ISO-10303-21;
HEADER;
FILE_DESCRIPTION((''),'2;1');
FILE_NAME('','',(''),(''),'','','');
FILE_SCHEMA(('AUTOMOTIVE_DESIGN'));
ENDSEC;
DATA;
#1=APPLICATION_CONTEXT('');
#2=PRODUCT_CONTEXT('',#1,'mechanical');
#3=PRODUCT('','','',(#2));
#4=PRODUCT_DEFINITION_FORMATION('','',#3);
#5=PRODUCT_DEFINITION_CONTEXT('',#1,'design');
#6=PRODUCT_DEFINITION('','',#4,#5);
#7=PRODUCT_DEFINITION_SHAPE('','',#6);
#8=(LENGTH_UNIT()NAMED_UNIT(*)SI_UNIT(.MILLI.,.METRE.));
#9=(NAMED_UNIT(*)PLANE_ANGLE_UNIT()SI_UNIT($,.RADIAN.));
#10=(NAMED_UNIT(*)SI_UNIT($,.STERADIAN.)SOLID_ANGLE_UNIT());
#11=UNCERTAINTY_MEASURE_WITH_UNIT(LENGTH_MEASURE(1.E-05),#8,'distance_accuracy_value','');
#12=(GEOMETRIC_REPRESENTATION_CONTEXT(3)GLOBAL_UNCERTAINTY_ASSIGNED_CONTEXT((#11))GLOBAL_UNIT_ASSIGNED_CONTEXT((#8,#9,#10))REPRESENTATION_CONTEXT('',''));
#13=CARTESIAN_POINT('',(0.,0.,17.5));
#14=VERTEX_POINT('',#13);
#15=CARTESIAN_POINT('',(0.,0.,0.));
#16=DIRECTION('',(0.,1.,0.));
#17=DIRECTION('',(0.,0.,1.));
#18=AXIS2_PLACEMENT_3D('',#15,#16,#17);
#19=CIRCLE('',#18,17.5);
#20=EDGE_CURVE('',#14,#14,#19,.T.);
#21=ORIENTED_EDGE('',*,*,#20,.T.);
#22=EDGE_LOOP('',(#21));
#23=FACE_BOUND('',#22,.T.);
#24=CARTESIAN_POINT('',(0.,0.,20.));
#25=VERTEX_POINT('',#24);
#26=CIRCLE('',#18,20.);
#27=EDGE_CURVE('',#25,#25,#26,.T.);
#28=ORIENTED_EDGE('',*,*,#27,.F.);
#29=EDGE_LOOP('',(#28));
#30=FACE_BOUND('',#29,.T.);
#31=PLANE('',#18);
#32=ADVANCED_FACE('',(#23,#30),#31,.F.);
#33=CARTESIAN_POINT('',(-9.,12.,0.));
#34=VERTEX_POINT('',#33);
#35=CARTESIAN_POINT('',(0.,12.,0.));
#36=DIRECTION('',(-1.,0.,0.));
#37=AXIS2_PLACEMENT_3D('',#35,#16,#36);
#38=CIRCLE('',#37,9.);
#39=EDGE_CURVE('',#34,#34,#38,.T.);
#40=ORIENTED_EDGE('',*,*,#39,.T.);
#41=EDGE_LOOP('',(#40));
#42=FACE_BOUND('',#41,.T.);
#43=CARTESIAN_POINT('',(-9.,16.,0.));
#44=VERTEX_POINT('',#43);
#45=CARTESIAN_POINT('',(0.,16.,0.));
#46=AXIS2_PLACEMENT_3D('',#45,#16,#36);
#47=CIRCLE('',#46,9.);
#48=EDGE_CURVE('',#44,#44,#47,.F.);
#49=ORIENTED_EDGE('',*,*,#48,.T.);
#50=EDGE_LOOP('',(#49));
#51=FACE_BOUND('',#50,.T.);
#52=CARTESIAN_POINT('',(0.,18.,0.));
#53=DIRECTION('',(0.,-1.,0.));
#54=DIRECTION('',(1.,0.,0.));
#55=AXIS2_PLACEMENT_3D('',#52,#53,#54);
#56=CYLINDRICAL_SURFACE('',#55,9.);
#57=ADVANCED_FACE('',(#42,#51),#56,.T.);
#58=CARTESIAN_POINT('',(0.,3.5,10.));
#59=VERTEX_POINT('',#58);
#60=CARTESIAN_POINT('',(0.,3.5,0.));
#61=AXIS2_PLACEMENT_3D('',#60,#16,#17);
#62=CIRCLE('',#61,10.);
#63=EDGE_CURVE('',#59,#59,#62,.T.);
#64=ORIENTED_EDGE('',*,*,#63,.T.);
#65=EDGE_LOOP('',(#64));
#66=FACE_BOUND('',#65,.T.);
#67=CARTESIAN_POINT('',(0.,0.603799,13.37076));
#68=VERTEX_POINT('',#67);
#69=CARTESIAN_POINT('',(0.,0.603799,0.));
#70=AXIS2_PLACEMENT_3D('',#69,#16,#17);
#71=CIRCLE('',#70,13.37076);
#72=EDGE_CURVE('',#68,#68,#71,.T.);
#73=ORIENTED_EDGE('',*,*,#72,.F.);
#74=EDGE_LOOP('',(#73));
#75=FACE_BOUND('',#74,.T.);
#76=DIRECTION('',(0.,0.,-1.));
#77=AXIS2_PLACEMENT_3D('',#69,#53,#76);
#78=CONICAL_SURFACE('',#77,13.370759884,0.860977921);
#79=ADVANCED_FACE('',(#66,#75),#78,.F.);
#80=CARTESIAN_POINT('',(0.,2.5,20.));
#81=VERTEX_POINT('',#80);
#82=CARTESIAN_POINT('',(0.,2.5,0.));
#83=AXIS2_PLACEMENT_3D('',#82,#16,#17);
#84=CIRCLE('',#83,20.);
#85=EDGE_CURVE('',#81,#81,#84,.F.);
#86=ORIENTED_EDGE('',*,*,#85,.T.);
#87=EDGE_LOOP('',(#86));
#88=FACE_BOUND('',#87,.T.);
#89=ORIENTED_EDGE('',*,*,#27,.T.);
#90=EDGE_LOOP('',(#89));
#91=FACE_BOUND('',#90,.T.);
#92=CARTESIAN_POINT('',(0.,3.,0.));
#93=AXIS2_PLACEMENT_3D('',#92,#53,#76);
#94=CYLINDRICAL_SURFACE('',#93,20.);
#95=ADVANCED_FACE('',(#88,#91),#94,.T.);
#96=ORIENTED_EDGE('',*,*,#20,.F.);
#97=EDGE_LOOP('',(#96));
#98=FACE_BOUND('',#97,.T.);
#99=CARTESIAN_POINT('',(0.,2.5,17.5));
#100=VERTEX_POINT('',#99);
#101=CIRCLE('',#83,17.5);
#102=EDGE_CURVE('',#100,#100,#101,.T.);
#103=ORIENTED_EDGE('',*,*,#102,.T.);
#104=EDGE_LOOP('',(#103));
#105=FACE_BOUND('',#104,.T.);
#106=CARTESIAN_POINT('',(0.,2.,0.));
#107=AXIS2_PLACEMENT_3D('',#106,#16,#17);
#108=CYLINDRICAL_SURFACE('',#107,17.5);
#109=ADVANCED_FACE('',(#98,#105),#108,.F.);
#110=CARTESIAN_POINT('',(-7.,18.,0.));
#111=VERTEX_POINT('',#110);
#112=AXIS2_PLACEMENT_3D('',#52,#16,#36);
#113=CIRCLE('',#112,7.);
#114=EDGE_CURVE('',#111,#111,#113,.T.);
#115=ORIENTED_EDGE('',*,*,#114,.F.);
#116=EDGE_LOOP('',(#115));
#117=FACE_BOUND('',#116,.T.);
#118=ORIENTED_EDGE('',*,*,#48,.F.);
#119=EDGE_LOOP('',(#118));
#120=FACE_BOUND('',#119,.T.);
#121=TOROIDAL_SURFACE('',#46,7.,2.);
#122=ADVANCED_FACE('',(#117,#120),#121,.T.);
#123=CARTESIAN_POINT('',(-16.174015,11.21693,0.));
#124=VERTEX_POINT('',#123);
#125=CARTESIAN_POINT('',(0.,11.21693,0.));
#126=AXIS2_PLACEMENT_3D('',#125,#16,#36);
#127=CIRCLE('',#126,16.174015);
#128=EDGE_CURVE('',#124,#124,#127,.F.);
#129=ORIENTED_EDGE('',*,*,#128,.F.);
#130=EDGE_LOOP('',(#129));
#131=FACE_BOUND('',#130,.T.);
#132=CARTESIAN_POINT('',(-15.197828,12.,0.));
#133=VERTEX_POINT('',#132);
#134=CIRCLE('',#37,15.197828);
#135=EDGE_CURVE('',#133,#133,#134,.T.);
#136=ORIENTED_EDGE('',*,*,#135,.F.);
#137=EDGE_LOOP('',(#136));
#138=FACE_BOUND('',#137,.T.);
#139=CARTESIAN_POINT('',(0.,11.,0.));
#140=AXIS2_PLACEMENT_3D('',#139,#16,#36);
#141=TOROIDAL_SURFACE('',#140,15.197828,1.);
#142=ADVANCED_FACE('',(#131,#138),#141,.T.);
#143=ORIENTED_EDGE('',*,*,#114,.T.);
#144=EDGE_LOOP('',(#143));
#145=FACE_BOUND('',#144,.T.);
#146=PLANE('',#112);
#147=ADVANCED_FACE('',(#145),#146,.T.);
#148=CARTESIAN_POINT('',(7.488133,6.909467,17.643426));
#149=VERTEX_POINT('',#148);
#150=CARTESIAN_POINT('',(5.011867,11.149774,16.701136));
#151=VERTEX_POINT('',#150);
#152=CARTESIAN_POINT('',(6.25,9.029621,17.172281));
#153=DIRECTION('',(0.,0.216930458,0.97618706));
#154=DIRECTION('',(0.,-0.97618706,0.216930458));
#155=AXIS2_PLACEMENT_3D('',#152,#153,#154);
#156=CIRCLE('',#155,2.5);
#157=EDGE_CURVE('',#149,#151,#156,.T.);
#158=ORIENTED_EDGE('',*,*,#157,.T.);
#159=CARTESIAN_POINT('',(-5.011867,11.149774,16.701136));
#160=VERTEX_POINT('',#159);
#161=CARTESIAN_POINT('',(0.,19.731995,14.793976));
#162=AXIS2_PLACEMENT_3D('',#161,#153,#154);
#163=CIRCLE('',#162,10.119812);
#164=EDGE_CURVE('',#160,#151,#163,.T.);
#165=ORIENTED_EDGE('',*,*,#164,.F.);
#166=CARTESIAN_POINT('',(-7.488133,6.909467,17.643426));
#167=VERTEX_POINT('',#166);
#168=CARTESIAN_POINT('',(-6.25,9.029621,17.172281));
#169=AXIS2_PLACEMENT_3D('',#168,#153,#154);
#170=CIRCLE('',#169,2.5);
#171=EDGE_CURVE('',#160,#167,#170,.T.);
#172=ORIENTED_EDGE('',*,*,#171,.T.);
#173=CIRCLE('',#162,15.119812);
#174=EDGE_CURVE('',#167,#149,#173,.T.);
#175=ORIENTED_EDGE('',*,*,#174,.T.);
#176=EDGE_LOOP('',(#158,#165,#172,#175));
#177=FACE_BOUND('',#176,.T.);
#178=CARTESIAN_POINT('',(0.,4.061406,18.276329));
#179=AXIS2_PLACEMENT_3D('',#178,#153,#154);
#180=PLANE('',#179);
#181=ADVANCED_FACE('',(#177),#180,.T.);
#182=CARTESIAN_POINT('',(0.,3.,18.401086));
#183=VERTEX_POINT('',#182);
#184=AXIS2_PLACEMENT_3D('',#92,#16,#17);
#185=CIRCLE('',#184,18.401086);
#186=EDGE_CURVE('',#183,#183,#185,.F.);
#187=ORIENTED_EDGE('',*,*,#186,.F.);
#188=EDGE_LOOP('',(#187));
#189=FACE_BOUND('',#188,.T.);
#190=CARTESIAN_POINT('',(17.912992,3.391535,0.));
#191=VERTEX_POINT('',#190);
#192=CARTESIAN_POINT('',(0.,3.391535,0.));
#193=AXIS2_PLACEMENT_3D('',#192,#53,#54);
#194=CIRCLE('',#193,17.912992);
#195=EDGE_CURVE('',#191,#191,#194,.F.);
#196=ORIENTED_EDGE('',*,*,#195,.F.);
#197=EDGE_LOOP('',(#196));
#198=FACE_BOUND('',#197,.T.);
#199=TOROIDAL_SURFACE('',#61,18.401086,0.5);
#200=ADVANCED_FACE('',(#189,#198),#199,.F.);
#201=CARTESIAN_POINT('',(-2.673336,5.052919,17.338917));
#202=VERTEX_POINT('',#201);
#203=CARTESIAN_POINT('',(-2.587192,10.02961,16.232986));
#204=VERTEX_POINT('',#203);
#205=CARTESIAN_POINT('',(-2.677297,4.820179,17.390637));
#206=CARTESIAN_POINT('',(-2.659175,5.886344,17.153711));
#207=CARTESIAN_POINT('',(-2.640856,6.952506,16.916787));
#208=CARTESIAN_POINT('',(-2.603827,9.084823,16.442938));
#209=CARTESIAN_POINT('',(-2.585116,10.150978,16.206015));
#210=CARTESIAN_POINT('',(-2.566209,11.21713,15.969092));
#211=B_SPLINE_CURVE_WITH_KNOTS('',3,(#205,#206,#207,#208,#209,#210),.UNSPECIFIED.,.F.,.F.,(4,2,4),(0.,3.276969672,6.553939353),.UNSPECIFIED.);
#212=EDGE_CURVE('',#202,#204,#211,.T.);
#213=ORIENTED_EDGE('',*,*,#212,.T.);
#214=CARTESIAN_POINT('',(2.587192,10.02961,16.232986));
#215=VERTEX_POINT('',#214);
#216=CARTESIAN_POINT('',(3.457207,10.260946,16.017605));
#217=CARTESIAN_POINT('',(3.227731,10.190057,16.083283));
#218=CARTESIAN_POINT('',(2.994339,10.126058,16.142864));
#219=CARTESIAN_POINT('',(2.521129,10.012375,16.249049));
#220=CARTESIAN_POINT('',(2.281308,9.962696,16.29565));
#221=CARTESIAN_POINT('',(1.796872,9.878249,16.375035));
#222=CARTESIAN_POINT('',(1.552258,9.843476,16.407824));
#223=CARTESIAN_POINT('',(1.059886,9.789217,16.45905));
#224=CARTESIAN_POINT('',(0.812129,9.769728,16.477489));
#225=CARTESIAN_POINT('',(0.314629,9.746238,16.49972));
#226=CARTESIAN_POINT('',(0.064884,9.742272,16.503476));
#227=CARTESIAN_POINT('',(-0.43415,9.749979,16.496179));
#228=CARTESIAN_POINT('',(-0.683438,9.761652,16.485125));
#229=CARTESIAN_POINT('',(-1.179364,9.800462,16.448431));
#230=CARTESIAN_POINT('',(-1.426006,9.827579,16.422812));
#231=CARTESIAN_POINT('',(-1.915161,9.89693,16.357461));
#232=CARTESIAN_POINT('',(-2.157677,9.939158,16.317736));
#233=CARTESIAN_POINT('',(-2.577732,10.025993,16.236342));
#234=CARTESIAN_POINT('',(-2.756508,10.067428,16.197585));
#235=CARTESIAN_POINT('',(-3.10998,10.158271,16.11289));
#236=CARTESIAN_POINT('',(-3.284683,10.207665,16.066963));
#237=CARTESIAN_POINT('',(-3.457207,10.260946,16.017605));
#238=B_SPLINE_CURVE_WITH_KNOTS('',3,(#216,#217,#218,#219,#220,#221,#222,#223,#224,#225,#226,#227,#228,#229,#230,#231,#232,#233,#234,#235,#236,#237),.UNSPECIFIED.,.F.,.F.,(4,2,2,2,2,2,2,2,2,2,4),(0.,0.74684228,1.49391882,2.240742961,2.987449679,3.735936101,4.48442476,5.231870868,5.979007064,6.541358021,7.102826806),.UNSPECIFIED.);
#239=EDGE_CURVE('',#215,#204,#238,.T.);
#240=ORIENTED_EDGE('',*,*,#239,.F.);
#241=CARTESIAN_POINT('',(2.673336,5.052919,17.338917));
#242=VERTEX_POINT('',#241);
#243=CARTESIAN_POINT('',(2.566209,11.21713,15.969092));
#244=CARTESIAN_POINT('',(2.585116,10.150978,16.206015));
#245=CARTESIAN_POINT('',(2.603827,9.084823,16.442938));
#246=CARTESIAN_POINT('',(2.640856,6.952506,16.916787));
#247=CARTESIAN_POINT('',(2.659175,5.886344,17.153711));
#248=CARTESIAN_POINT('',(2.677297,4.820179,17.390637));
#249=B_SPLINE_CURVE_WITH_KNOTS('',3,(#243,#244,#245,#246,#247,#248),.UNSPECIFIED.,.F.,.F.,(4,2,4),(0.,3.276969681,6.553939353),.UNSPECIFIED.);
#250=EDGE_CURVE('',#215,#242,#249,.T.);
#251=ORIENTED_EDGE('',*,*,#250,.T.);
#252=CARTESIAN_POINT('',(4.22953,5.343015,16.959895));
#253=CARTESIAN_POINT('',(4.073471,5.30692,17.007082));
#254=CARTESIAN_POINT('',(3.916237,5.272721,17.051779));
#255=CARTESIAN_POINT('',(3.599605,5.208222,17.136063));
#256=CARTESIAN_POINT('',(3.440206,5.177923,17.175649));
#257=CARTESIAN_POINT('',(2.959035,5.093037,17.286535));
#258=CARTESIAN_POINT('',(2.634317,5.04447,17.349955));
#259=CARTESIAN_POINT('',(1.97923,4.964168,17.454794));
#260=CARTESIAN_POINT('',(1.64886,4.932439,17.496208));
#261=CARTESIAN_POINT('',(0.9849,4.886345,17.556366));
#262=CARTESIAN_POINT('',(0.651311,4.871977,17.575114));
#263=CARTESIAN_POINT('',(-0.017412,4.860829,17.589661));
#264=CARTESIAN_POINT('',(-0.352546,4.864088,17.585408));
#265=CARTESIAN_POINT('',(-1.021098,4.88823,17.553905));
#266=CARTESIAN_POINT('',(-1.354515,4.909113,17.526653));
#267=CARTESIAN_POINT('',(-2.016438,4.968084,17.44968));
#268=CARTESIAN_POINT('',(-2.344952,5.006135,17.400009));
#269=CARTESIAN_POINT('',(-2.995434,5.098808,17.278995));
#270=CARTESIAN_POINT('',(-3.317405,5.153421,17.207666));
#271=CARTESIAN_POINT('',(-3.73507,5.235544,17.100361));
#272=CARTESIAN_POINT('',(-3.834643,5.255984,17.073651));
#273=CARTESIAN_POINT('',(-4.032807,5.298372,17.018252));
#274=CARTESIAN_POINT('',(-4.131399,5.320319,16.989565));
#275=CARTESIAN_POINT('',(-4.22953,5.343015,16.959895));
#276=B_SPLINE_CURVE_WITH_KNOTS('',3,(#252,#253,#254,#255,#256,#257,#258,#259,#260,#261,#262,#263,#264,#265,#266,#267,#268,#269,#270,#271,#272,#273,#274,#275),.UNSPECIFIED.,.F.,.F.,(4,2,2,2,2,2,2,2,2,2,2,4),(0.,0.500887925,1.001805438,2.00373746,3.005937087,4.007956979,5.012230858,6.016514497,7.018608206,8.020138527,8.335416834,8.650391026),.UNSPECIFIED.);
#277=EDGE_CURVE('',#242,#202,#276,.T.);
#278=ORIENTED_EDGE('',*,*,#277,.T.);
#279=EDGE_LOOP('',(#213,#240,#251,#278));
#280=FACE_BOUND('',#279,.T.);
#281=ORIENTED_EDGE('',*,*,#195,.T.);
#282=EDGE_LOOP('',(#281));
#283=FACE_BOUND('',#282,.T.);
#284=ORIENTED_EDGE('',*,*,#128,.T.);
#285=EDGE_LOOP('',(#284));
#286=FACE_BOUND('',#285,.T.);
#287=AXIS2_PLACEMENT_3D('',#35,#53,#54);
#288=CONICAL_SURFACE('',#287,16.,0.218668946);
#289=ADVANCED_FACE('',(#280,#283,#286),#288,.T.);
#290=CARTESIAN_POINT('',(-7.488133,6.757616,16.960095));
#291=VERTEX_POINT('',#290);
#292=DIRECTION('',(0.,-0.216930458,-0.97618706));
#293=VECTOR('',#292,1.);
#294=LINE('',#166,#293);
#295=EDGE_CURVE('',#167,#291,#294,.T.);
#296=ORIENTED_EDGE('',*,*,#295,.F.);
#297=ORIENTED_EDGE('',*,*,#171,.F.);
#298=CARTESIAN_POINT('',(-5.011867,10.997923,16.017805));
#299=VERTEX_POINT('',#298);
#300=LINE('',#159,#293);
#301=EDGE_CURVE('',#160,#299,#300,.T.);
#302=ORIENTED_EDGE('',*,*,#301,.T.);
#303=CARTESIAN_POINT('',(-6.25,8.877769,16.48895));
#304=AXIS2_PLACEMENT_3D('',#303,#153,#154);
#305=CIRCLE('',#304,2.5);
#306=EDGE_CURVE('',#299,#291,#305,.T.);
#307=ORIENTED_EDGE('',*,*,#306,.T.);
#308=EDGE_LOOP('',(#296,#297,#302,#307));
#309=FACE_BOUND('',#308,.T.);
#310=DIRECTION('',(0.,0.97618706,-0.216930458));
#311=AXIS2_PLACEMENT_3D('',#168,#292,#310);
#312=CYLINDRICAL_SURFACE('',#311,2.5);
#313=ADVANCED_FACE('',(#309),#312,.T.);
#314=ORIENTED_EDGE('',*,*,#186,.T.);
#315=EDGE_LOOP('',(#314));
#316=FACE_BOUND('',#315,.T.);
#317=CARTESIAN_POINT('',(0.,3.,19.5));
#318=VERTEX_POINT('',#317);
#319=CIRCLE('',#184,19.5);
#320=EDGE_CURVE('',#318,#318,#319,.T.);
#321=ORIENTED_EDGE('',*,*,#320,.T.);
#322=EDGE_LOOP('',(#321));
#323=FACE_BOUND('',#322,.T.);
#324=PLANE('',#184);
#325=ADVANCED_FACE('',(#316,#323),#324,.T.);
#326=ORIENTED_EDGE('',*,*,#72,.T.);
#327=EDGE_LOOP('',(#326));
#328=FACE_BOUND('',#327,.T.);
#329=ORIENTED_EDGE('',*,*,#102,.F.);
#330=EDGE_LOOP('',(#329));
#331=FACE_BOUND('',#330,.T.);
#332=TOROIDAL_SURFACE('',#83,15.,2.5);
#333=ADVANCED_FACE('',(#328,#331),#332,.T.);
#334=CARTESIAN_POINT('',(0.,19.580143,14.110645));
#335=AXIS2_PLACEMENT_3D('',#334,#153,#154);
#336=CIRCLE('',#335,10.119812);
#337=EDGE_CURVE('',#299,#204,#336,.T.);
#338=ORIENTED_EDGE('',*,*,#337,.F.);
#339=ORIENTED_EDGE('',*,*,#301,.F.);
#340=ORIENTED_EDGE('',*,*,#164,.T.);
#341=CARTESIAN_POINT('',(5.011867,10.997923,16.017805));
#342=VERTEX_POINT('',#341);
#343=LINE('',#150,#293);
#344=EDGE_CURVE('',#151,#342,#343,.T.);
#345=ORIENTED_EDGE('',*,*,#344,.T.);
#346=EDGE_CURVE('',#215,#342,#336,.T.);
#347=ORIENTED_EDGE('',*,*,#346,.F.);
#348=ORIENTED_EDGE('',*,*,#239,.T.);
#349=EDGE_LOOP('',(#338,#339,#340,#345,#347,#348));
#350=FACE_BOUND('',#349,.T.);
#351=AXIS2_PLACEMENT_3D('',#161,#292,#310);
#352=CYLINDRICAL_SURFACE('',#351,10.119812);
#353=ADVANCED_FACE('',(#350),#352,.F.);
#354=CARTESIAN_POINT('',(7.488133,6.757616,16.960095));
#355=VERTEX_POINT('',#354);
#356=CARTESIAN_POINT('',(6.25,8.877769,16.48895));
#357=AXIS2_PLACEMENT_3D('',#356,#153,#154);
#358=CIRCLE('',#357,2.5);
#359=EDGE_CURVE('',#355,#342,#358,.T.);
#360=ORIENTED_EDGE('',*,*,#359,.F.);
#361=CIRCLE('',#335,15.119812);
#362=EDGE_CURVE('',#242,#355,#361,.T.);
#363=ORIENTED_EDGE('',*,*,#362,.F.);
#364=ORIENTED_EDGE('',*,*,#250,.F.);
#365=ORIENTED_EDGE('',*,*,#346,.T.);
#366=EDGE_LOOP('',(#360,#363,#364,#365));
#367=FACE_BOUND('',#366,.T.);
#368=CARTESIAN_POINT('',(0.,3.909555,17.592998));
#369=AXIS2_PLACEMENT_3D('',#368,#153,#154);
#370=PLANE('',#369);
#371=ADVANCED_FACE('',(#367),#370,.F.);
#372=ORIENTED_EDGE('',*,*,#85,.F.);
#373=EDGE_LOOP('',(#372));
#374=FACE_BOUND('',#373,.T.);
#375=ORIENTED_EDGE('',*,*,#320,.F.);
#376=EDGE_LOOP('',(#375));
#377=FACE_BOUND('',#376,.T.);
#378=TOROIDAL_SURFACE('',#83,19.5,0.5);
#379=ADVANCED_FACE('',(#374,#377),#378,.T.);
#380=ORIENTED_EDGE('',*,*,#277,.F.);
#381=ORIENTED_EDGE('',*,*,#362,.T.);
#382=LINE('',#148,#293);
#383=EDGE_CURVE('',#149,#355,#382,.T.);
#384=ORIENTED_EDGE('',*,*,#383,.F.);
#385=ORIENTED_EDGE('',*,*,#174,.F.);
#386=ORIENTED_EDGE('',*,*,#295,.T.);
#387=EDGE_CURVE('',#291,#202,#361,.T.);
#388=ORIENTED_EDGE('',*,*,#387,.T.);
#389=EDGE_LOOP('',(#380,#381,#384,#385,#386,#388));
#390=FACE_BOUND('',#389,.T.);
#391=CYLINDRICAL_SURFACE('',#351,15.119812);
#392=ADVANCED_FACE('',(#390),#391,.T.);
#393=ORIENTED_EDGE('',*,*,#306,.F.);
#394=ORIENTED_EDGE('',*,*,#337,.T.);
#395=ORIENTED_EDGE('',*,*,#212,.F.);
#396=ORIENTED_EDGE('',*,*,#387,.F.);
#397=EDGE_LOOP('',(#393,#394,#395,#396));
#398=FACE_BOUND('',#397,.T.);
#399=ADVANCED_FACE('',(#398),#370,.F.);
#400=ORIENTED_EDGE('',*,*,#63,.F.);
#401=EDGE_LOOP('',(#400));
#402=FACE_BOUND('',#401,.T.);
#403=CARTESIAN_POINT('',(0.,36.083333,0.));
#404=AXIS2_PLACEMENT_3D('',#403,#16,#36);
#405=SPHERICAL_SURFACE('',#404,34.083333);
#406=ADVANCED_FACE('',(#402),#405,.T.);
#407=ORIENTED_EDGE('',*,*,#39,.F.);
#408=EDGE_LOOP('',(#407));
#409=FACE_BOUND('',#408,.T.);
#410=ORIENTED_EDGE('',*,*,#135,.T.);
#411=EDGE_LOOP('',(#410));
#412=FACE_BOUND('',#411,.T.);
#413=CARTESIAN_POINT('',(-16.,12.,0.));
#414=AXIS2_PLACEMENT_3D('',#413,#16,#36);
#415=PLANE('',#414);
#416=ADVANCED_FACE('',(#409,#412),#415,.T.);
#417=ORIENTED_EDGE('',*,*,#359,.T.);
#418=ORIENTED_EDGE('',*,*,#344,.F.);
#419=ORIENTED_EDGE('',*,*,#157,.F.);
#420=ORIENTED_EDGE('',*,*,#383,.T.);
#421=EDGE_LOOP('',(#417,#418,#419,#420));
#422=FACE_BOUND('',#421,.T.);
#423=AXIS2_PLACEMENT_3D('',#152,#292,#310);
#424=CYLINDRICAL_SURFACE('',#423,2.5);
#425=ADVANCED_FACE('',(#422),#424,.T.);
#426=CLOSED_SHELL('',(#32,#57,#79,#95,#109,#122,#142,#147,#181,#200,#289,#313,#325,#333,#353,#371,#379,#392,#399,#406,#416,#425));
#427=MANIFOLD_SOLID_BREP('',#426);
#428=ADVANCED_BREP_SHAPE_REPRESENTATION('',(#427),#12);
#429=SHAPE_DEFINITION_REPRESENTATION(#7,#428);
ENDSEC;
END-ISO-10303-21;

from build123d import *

# Parameters (mm, degrees)
SKETCH_1_R      = 20
EXTRUDE_1_DEPTH = 3
SKETCH_4_R      = 9
EXTRUDE_2_DEPTH = 6
FILLET_1_R      = 2
FILLET_2_R      = 1
FILLET_3_R      = 0.5
EXTRUDE_START   = -0.2
SKETCH_6_W      = 2
SKETCH_6_H      = 2
EXTRUDE_3_DEPTH = 0.7


with BuildPart() as part:
    # 草图1 → 凸台-拉伸1 (new body)
    with BuildSketch(Plane(origin=(0, 0, 0), x_dir=(1, 0, 0), z_dir=(0, 1, 0))):
        Circle(SKETCH_1_R)
    extrude(amount=EXTRUDE_1_DEPTH)

    # 草图3 → 旋转1 (revolve)
    with BuildSketch(Plane.XY):
        Polygon((0, 3), (-18, 3), (-16, 12), (0, 12), align=None)
    revolve(axis=Axis((0, 12, 0), (0, -1, 0)))

    # 草图4 → 凸台-拉伸2 (add)
    with BuildSketch(Plane(origin=(0, 12, 0), x_dir=(1, 0, 0), z_dir=(0, 1, 0))):
        Circle(SKETCH_4_R)
    extrude(amount=EXTRUDE_2_DEPTH)

    # 圆角1
    fillet_1_edges = [part.edges().sort_by_distance(p)[0] for p in [
        (-9, 18, 0),
    ]]
    fillet(fillet_1_edges, radius=FILLET_1_R)

    # 圆角2
    fillet_2_edges = [part.edges().sort_by_distance(p)[0] for p in [
        (16, 12, 0),
    ]]
    fillet(fillet_2_edges, radius=FILLET_2_R)

    # 草图5 → 切除-旋转1 (revolve, cut)
    with BuildSketch(Plane.XY):
        with BuildLine():
            Line((-17.5, 0), (-15, 0))
            ThreePointArc((-15, 0), (-16.767766953, 0.732233047), (-17.5, 2.5))
            Line((-17.5, 2.5), (-17.5, 0))
        make_face()
        with BuildLine():
            Line((-10, 3.5), (-13.370759884, 0.603799419))
            ThreePointArc((-13.370759884, 0.603799419), (-14.131236929, 0.155804887), (-15, 0))
            Line((-15, 0), (0, 0))
            Line((0, 0), (0, 2))
            ThreePointArc((0, 2), (-5.055937104, 2.377085973), (-10, 3.5))
        make_face()
    revolve(axis=Axis((0, 2, 0), (0, -1, 0)), mode=Mode.SUBTRACT)

    # 圆角3
    fillet_3_edges = [part.edges().sort_by_distance(p)[0] for p in [
        (-20, 3, 0),
        (18, 3, 0),
    ]]
    fillet(fillet_3_edges, radius=FILLET_3_R)

    # 草图6 → 凸台-拉伸3 (add)
    with BuildSketch(Plane(origin=(0, 3.952941176, 17.788235294), x_dir=(1, 0, 0), z_dir=(0, 0.216930458, 0.97618706)).offset(EXTRUDE_START)):
        with BuildLine():
            ThreePointArc((-7.488132587, 2.917536085), (0, 0.933042267), (7.488132587, 2.917536085))
            ThreePointArc((7.488132587, 2.917536085), (8.421871934, 6.327540606), (5.011867413, 7.261279953))
            ThreePointArc((5.011867413, 7.261279953), (0, 5.933042267), (-5.011867413, 7.261279953))
            ThreePointArc((-5.011867413, 7.261279953), (-8.421871934, 6.327540606), (-7.488132587, 2.917536085))
        make_face()
        with Locations((0, 3.433042267)):
            Rectangle(SKETCH_6_W, SKETCH_6_H, mode=Mode.SUBTRACT)
        with Locations((0, 3.433042267)):
            Rectangle(SKETCH_6_W, SKETCH_6_H)
    extrude(amount=EXTRUDE_3_DEPTH)


solid = part.part
